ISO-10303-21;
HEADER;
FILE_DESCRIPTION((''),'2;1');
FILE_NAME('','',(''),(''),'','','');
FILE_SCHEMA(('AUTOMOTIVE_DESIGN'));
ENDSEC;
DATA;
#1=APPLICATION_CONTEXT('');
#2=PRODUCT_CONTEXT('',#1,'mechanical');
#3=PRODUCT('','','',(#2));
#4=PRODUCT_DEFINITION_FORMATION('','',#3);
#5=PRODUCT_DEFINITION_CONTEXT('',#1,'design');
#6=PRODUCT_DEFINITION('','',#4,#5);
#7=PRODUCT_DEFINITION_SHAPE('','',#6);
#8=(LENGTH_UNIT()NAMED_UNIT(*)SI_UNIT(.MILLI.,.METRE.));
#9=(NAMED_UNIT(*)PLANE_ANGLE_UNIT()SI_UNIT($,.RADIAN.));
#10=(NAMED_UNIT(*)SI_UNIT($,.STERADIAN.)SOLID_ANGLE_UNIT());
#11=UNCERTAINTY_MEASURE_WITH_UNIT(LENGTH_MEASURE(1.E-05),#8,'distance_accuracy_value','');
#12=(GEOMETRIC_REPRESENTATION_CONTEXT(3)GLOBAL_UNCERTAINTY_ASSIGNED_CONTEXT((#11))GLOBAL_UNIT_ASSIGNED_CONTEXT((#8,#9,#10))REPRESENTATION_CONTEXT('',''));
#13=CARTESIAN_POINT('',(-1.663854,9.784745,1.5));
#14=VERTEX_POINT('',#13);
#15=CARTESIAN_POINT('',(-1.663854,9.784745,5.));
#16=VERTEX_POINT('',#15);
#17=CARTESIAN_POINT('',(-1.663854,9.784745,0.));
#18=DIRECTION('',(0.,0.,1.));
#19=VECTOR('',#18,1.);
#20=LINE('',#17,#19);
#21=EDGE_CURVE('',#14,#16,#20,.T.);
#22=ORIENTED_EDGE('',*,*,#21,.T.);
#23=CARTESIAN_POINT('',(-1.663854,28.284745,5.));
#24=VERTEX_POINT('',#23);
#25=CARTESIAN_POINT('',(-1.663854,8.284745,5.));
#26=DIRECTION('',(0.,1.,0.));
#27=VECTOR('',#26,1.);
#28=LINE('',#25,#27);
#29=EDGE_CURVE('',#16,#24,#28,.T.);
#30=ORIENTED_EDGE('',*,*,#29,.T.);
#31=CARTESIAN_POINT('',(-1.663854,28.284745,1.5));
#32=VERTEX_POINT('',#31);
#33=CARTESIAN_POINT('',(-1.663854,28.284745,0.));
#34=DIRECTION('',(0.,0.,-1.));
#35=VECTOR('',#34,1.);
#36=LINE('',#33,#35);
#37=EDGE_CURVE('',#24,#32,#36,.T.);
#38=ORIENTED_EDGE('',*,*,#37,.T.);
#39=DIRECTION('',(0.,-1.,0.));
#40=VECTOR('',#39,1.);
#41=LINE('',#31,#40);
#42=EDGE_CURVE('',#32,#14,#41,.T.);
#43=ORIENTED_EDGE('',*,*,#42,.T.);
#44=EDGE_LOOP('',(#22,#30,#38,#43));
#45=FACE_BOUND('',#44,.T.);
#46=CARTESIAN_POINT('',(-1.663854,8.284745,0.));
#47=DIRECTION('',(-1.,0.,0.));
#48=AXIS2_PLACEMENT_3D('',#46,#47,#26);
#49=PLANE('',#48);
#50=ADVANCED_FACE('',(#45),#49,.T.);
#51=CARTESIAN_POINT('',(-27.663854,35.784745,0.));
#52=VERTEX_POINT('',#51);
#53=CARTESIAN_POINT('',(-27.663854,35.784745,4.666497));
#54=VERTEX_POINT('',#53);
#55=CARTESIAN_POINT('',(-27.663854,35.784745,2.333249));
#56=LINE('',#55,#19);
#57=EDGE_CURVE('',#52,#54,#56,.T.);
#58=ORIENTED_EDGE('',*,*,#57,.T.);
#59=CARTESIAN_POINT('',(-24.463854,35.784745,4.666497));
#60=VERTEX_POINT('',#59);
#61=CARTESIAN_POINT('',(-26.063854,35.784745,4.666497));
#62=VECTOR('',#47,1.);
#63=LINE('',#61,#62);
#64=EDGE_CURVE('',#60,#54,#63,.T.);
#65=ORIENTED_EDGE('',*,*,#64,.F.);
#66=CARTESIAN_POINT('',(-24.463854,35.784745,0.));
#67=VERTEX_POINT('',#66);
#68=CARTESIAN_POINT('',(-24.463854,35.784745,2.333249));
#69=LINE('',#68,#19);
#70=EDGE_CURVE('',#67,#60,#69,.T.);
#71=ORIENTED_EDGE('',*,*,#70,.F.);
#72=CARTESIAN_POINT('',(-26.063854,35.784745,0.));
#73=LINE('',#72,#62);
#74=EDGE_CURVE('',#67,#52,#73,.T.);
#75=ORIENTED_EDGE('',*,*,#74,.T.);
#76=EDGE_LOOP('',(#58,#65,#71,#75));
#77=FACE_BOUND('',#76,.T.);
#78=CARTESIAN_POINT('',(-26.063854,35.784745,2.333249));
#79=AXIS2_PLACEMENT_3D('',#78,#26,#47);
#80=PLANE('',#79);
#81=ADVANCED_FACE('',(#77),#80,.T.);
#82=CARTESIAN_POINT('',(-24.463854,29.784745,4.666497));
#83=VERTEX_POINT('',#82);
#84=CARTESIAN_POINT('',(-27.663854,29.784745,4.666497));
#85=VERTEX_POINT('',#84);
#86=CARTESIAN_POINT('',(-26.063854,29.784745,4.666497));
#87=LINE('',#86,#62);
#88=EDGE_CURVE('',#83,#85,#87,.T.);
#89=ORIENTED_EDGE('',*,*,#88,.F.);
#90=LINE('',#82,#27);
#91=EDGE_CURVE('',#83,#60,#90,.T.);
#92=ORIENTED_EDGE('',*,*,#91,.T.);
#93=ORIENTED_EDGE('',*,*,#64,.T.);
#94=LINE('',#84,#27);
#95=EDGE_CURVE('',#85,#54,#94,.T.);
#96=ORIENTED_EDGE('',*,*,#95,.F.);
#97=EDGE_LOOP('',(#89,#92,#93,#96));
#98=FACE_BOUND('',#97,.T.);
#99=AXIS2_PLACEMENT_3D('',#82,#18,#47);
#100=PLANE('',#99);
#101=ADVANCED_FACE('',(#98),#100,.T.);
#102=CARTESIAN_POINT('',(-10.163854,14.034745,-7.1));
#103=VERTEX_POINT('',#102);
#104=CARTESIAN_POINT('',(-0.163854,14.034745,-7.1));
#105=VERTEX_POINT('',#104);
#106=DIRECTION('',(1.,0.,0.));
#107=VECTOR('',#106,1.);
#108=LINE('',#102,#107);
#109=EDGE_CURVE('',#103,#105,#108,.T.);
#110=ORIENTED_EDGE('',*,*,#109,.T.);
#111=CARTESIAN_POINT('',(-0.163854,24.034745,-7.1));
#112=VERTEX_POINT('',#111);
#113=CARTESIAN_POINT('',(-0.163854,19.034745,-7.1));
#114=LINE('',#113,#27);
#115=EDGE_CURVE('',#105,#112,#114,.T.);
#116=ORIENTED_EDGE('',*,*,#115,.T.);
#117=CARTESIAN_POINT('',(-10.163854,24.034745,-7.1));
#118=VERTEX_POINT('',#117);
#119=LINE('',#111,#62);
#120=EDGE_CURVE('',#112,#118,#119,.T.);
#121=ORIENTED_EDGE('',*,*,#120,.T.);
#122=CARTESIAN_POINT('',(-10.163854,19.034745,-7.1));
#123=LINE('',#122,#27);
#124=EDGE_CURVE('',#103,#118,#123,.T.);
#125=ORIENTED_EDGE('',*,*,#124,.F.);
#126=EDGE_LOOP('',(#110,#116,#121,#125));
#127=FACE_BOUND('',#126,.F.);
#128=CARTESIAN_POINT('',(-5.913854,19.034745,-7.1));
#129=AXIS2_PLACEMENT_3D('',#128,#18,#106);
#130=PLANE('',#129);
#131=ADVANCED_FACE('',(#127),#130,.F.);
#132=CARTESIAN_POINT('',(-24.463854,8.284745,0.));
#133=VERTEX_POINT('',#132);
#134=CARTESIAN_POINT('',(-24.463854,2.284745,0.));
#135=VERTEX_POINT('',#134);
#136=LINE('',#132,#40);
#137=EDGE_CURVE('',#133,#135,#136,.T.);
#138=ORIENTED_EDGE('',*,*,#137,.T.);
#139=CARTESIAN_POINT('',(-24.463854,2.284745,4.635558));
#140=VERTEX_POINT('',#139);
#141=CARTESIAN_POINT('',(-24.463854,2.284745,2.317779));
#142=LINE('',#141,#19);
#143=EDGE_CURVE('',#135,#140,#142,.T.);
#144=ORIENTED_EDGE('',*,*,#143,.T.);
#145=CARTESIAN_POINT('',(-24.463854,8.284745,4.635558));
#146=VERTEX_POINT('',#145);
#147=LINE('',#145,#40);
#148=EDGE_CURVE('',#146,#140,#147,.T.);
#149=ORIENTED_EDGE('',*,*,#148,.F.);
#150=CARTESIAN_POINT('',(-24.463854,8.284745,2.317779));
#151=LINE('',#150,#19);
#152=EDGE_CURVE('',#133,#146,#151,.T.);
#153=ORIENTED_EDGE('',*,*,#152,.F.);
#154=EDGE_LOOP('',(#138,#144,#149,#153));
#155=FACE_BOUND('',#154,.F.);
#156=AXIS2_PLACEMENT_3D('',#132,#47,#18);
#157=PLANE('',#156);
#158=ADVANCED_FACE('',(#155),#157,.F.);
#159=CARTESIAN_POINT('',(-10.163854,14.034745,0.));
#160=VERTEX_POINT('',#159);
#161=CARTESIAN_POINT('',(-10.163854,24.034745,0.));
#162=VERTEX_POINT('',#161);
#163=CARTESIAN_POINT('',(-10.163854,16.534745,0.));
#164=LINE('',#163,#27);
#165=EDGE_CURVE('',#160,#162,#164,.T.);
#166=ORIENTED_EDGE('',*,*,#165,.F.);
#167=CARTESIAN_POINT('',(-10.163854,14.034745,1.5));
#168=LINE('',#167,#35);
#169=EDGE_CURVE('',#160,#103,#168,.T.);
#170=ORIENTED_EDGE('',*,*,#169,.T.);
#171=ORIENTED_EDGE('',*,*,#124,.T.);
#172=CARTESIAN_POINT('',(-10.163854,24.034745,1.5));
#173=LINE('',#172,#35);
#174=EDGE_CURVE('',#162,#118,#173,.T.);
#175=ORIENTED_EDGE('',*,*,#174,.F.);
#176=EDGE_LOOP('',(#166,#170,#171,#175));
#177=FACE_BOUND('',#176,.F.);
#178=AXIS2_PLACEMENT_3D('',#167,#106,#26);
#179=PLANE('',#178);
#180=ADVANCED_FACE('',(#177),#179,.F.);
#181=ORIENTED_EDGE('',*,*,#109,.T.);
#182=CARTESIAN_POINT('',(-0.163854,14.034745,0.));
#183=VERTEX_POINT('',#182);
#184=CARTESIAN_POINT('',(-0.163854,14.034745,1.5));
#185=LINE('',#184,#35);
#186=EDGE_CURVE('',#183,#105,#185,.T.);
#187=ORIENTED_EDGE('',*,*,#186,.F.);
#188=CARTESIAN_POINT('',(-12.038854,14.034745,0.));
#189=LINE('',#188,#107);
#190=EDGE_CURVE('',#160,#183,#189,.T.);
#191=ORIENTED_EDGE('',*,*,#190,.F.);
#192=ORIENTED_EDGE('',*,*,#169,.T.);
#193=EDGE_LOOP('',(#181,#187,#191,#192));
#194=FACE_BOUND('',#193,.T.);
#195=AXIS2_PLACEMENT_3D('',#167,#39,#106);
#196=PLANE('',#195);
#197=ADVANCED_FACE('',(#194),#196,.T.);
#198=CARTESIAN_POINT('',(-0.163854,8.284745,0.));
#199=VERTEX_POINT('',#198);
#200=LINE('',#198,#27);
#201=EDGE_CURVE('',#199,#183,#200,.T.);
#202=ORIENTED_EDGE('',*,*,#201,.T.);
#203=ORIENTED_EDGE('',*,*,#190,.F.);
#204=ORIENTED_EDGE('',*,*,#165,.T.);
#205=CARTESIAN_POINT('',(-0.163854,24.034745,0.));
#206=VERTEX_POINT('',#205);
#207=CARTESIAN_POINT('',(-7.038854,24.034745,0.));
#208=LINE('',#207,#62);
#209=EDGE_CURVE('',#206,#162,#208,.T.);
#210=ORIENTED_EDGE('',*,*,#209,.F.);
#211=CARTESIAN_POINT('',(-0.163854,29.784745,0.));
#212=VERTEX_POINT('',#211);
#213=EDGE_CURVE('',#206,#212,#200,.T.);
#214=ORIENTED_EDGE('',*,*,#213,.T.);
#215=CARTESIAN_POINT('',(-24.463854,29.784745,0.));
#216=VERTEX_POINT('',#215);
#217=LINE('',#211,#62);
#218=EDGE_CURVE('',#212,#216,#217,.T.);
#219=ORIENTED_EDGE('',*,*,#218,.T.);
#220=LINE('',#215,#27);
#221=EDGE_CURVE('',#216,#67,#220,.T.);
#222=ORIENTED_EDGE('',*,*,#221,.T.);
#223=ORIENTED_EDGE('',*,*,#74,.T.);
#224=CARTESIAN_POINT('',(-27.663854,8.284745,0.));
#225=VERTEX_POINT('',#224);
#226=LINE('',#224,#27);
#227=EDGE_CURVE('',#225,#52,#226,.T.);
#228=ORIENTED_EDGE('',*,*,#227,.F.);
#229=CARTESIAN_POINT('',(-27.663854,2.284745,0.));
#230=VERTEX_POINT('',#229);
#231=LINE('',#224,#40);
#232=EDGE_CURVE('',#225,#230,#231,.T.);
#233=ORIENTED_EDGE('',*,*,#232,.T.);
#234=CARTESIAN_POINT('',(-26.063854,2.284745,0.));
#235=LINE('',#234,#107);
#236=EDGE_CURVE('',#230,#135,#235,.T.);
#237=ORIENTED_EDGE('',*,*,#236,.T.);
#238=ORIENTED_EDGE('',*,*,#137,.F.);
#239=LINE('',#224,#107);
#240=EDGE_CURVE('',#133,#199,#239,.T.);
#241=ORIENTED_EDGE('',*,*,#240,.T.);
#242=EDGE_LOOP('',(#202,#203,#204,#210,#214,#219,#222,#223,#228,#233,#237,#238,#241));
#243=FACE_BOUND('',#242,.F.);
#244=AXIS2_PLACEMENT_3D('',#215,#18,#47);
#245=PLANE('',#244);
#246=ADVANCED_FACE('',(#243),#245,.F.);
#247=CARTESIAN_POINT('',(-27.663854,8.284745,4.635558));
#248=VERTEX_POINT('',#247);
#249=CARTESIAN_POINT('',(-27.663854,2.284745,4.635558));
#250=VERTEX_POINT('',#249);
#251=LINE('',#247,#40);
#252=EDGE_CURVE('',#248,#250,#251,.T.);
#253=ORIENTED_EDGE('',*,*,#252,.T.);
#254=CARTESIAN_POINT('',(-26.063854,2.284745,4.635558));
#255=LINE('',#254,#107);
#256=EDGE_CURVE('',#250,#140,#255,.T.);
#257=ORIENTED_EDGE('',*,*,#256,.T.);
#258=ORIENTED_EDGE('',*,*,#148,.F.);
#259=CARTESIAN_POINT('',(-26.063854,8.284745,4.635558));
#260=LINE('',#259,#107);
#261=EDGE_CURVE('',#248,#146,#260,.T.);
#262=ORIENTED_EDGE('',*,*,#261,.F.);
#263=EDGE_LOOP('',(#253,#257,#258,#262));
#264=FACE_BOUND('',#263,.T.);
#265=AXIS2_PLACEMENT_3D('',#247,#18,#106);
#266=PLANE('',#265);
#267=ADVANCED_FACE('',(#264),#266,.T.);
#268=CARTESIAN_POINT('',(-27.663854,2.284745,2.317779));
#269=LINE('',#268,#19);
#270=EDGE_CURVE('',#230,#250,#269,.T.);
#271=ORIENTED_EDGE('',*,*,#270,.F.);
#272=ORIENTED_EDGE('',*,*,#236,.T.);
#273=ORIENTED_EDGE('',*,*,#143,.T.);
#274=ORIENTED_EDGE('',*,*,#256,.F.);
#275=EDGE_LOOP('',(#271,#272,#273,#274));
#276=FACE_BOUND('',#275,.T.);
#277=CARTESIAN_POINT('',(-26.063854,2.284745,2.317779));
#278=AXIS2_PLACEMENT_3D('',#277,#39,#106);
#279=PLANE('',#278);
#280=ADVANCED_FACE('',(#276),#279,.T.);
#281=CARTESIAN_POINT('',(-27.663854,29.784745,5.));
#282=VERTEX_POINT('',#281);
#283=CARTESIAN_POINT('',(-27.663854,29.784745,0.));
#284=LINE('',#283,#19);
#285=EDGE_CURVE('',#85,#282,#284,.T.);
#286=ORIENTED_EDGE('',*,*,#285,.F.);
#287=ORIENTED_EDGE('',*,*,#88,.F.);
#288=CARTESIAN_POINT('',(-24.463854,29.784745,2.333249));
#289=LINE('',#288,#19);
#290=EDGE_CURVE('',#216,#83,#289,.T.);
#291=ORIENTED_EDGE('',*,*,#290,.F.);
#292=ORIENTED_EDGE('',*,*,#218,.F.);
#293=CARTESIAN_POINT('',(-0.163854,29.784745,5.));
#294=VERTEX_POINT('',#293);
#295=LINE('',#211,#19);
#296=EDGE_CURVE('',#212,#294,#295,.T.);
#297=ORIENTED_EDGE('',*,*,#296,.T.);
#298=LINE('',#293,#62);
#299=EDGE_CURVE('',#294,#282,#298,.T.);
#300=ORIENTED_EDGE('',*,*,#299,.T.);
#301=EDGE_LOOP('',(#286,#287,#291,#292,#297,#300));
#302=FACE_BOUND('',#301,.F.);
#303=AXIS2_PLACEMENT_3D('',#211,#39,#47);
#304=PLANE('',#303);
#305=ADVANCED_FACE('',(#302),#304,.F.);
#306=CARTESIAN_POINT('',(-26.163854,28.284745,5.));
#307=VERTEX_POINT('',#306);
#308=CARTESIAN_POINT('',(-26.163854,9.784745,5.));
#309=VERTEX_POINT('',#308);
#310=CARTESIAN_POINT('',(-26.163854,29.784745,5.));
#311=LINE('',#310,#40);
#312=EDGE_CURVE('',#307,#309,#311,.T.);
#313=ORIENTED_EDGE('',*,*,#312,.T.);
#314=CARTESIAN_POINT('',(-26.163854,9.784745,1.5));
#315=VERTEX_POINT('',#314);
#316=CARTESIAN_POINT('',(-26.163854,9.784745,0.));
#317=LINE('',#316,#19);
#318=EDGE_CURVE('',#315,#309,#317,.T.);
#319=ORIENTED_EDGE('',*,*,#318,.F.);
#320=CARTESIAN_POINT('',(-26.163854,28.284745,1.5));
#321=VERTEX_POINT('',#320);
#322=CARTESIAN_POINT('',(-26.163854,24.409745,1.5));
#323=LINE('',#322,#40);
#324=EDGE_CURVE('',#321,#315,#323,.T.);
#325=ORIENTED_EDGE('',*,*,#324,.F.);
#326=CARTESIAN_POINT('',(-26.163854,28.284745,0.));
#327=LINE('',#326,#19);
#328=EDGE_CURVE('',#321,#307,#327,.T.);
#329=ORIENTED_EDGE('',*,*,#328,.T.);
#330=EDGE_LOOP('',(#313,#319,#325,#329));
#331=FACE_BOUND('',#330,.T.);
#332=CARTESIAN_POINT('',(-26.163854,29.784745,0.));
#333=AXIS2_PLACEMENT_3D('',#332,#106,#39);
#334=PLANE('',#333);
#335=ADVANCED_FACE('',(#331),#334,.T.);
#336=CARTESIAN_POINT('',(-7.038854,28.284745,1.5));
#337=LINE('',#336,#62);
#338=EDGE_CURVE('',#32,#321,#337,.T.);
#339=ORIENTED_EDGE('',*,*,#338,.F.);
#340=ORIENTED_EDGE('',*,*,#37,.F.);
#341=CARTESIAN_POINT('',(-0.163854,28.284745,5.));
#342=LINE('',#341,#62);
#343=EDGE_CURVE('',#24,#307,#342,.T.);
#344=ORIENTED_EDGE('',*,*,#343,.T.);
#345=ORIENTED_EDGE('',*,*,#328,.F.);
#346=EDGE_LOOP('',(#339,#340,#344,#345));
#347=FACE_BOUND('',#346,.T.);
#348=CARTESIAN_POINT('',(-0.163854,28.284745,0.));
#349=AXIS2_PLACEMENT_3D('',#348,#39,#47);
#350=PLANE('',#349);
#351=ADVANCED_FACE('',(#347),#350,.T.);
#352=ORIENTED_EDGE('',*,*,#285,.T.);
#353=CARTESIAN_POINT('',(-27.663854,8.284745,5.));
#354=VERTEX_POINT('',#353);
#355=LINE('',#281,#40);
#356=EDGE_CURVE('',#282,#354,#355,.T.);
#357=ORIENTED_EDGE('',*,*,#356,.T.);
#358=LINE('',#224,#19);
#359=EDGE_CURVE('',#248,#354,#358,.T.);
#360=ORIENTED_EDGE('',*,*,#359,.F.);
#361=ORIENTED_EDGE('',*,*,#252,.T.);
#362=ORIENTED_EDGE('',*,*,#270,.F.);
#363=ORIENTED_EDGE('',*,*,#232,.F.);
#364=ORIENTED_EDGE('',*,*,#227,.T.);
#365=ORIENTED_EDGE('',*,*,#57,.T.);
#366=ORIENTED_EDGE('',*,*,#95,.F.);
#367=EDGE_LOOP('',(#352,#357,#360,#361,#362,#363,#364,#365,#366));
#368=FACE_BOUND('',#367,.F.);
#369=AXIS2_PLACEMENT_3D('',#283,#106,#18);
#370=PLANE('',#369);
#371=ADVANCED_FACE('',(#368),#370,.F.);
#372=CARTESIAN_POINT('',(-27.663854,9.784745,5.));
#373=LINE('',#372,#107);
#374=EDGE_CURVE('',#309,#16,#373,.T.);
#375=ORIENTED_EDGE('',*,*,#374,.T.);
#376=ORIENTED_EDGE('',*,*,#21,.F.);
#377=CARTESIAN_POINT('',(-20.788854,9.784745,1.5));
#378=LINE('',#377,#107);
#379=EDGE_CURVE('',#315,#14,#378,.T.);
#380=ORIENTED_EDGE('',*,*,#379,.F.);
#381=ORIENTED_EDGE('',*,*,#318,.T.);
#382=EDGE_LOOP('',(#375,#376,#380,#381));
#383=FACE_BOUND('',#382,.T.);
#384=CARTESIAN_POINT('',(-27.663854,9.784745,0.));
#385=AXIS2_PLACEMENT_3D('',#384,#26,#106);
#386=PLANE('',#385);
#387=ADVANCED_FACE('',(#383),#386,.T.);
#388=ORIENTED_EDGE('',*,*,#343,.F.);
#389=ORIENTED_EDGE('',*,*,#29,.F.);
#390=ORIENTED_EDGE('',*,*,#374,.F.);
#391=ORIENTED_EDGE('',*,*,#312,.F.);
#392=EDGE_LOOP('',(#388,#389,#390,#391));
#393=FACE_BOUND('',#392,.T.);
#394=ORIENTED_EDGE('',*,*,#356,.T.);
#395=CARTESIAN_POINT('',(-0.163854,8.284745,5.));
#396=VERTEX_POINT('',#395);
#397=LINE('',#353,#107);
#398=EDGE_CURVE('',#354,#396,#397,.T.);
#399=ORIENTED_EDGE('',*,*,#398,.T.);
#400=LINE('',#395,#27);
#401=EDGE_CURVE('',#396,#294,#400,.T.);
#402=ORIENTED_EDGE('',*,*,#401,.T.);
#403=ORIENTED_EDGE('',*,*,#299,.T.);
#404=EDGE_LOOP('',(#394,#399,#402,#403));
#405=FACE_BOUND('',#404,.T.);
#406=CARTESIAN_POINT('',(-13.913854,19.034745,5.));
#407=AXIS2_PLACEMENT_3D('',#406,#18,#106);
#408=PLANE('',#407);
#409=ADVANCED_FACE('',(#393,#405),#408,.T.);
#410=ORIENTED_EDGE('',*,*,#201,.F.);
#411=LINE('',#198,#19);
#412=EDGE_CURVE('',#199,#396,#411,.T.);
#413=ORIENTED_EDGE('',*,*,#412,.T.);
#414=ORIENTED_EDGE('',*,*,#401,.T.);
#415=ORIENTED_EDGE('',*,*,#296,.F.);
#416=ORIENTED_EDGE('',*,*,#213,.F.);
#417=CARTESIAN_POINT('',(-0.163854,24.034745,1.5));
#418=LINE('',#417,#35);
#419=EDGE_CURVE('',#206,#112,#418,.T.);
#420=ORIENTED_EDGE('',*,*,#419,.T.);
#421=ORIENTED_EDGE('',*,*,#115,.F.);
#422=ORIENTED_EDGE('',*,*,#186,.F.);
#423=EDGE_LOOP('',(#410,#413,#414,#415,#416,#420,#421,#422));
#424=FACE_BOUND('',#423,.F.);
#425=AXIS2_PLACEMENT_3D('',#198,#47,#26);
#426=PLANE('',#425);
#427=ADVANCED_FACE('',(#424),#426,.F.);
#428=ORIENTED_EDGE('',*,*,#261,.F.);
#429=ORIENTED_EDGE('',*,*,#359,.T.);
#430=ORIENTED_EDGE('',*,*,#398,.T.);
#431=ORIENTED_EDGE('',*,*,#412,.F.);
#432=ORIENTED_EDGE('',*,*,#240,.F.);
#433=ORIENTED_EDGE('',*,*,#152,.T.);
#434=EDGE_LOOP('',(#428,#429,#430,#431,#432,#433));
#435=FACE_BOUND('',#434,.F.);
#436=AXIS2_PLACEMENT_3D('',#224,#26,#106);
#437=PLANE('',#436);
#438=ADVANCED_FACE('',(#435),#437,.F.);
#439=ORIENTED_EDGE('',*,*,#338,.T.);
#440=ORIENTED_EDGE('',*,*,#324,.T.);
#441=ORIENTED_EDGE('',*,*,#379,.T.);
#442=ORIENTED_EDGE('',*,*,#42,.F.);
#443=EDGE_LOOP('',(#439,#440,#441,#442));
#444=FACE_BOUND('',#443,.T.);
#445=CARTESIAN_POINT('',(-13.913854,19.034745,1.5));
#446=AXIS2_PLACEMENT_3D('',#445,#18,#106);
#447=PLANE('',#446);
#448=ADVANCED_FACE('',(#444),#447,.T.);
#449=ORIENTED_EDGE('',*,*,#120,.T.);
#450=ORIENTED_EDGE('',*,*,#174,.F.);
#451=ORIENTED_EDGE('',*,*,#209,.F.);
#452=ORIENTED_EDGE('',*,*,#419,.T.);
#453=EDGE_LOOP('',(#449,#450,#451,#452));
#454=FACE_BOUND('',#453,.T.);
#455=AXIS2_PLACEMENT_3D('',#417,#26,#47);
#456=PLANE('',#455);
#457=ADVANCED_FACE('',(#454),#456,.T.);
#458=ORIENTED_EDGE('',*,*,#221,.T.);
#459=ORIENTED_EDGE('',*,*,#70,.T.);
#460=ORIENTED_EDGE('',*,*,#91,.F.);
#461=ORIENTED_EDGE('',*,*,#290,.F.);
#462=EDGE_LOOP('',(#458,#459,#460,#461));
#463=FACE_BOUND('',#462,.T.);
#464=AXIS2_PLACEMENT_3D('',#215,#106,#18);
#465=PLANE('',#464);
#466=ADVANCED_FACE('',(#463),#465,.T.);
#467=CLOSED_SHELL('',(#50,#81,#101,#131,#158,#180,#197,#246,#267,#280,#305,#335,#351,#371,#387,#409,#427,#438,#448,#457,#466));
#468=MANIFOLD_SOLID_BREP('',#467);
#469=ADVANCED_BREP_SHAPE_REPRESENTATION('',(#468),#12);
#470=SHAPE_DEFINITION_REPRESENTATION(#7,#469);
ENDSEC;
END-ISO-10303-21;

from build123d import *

# Parameters (mm, degrees)
F1_DEPTH = 5
F2_T     = -1.5
F3_W     = 8.5
F3_H     = 10
F3_W_2   = 1.5
F4_DEPTH = 8.6
F5_W     = 3.2
F5_H     = 4.6355582315
F6_DEPTH = 6
F7_W     = 3.2
F7_H     = 4.6664974656
F8_DEPTH = 6


with BuildPart() as f1:
    # F0 (on Top) → F1 (new body)
    with BuildSketch(Plane.XY):
        Polygon((-0.1638537049, 29.7847446054), (-27.6638537049, 29.7847446054), (-27.6638537049, 19.0347446054), (-27.6638537049, 8.2847446054), (-0.1638537049, 8.2847446054), align=None)
    extrude(amount=F1_DEPTH)

    # F2
    f2_openings = [f1.faces().sort_by_distance(p)[0] for p in [
        (-13.913854, 19.034745, 5),
    ]]
    offset(amount=F2_T, openings=f2_openings)

    # F3 (on face) → F4 (join)
    with BuildSketch(Plane.XY.offset(1.5)):
        with Locations((-5.9138537049, 19.0347446054)):
            Rectangle(F3_W, F3_H)
        with Locations((-0.9138537049, 19.0347446054)):
            Rectangle(F3_W_2, F3_H)
    extrude(amount=-F4_DEPTH)

    # F5 (on face) → F6 (join)
    with BuildSketch(Plane.XZ.offset(-8.2847446054)):
        with Locations((-26.0638537049, 2.3177791158)):
            Rectangle(F5_W, F5_H)
    extrude(amount=F6_DEPTH)

    # F7 (on face) → F8 (join)
    with BuildSketch(Plane(origin=(0, 29.7847446054, 0), x_dir=(-1, 0, 0), z_dir=(0, 1, 0))):
        with Locations((26.0638537049, 2.3332487328)):
            Rectangle(F7_W, F7_H)
    extrude(amount=F8_DEPTH)


solid = f1.part
